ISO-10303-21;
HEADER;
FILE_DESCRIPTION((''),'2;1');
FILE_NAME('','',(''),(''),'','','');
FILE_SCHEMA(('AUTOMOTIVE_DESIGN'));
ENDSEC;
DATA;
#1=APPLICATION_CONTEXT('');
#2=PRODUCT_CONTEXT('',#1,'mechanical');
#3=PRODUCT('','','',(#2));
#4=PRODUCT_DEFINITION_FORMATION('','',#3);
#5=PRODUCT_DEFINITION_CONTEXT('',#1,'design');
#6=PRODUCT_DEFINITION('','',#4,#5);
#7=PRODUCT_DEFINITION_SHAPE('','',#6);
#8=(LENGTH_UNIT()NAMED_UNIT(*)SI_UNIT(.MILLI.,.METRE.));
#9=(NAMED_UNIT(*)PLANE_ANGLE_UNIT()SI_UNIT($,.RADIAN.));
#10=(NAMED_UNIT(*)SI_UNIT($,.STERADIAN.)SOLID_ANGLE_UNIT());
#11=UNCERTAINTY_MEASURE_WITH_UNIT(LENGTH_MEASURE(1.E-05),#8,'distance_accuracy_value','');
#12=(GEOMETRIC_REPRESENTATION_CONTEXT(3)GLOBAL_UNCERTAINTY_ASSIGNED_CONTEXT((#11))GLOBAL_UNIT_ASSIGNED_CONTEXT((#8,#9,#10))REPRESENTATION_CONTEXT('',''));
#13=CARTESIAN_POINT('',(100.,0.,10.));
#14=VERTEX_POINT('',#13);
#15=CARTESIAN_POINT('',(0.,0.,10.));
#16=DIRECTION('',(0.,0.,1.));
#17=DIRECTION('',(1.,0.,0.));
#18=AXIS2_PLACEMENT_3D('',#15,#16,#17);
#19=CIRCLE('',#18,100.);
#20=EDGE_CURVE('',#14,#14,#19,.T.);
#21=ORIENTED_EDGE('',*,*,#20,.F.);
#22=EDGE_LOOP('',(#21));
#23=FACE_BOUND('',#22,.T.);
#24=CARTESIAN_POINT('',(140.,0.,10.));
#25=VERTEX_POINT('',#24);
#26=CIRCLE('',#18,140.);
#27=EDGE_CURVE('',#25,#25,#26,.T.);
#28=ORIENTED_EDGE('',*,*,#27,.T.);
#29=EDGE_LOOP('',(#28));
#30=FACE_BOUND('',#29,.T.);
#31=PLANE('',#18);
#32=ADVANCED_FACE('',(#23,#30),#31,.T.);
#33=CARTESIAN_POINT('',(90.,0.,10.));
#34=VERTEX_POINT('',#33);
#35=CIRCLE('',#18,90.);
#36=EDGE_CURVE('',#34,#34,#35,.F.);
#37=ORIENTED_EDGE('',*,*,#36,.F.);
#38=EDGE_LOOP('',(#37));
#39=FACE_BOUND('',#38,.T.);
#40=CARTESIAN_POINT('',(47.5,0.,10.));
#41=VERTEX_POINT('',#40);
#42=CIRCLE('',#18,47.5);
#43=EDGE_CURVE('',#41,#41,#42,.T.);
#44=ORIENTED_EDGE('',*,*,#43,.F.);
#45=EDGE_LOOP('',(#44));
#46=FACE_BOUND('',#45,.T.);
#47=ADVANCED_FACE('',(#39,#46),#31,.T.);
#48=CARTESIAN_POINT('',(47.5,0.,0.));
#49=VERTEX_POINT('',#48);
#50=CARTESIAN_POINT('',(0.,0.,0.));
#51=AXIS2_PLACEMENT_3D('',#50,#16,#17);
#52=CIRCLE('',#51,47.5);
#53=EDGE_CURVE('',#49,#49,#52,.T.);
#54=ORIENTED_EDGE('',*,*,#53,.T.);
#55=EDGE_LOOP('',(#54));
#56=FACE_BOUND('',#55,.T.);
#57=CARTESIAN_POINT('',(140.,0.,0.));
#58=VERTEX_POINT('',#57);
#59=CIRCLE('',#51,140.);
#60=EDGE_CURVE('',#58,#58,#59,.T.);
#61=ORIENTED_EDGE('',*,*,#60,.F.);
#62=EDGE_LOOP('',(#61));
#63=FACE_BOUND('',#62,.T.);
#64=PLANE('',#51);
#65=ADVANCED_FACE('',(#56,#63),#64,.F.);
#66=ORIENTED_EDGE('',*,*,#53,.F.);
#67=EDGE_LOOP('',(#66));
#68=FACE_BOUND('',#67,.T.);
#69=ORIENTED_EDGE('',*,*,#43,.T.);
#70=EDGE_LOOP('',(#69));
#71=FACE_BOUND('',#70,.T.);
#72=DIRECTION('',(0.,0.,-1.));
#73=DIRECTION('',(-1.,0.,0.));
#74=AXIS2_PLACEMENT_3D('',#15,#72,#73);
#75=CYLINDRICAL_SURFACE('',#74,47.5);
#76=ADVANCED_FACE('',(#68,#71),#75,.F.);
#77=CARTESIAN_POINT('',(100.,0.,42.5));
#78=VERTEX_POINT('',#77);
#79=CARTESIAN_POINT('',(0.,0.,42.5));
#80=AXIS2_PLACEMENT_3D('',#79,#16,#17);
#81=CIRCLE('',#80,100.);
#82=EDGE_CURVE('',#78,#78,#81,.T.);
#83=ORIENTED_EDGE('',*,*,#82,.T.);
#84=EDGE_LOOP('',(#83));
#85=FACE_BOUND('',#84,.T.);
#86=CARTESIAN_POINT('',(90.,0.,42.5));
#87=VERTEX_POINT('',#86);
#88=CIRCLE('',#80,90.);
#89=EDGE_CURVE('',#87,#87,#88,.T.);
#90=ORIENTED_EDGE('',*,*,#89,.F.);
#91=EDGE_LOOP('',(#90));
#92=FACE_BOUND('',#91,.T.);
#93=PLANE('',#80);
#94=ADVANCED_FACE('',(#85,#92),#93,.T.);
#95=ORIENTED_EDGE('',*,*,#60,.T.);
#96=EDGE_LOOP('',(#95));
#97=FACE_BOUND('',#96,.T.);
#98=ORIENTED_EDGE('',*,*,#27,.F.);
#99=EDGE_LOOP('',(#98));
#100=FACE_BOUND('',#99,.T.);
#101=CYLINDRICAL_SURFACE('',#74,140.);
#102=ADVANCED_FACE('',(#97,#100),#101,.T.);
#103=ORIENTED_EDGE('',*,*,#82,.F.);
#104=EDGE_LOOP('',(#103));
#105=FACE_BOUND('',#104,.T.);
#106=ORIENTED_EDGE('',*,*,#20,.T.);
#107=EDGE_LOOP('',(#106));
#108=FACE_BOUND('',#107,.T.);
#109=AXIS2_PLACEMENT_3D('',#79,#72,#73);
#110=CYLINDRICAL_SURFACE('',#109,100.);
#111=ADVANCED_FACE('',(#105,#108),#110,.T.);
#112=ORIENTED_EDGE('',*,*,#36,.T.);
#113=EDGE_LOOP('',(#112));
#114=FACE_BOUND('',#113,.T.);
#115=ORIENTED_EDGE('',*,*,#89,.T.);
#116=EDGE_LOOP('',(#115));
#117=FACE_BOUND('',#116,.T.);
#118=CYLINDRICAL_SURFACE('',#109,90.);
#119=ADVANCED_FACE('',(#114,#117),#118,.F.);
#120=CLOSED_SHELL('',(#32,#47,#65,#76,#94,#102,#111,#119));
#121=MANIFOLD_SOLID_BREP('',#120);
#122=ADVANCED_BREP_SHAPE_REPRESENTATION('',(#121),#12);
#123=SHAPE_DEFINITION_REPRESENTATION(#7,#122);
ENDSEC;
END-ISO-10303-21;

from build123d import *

# Parameters (mm, degrees)
SKETCH_1_R      = 140
SKETCH_1_R_2    = 47.5
EXTRUDE_1_DEPTH = 10
SKETCH_2_R      = 100
SKETCH_2_R_2    = 90
EXTRUDE_2_DEPTH = 32.5


with BuildPart() as part:
    # 草图1 → 拉伸1 (new body)
    with BuildSketch(Plane.XY):
        Circle(SKETCH_1_R)
        Circle(SKETCH_1_R_2, mode=Mode.SUBTRACT)
    extrude(amount=EXTRUDE_1_DEPTH)

    # 草图2 → 拉伸2 (add)
    with BuildSketch(Plane.XY.offset(10)):
        Circle(SKETCH_2_R)
        Circle(SKETCH_2_R_2, mode=Mode.SUBTRACT)
    extrude(amount=EXTRUDE_2_DEPTH)


solid = part.part
